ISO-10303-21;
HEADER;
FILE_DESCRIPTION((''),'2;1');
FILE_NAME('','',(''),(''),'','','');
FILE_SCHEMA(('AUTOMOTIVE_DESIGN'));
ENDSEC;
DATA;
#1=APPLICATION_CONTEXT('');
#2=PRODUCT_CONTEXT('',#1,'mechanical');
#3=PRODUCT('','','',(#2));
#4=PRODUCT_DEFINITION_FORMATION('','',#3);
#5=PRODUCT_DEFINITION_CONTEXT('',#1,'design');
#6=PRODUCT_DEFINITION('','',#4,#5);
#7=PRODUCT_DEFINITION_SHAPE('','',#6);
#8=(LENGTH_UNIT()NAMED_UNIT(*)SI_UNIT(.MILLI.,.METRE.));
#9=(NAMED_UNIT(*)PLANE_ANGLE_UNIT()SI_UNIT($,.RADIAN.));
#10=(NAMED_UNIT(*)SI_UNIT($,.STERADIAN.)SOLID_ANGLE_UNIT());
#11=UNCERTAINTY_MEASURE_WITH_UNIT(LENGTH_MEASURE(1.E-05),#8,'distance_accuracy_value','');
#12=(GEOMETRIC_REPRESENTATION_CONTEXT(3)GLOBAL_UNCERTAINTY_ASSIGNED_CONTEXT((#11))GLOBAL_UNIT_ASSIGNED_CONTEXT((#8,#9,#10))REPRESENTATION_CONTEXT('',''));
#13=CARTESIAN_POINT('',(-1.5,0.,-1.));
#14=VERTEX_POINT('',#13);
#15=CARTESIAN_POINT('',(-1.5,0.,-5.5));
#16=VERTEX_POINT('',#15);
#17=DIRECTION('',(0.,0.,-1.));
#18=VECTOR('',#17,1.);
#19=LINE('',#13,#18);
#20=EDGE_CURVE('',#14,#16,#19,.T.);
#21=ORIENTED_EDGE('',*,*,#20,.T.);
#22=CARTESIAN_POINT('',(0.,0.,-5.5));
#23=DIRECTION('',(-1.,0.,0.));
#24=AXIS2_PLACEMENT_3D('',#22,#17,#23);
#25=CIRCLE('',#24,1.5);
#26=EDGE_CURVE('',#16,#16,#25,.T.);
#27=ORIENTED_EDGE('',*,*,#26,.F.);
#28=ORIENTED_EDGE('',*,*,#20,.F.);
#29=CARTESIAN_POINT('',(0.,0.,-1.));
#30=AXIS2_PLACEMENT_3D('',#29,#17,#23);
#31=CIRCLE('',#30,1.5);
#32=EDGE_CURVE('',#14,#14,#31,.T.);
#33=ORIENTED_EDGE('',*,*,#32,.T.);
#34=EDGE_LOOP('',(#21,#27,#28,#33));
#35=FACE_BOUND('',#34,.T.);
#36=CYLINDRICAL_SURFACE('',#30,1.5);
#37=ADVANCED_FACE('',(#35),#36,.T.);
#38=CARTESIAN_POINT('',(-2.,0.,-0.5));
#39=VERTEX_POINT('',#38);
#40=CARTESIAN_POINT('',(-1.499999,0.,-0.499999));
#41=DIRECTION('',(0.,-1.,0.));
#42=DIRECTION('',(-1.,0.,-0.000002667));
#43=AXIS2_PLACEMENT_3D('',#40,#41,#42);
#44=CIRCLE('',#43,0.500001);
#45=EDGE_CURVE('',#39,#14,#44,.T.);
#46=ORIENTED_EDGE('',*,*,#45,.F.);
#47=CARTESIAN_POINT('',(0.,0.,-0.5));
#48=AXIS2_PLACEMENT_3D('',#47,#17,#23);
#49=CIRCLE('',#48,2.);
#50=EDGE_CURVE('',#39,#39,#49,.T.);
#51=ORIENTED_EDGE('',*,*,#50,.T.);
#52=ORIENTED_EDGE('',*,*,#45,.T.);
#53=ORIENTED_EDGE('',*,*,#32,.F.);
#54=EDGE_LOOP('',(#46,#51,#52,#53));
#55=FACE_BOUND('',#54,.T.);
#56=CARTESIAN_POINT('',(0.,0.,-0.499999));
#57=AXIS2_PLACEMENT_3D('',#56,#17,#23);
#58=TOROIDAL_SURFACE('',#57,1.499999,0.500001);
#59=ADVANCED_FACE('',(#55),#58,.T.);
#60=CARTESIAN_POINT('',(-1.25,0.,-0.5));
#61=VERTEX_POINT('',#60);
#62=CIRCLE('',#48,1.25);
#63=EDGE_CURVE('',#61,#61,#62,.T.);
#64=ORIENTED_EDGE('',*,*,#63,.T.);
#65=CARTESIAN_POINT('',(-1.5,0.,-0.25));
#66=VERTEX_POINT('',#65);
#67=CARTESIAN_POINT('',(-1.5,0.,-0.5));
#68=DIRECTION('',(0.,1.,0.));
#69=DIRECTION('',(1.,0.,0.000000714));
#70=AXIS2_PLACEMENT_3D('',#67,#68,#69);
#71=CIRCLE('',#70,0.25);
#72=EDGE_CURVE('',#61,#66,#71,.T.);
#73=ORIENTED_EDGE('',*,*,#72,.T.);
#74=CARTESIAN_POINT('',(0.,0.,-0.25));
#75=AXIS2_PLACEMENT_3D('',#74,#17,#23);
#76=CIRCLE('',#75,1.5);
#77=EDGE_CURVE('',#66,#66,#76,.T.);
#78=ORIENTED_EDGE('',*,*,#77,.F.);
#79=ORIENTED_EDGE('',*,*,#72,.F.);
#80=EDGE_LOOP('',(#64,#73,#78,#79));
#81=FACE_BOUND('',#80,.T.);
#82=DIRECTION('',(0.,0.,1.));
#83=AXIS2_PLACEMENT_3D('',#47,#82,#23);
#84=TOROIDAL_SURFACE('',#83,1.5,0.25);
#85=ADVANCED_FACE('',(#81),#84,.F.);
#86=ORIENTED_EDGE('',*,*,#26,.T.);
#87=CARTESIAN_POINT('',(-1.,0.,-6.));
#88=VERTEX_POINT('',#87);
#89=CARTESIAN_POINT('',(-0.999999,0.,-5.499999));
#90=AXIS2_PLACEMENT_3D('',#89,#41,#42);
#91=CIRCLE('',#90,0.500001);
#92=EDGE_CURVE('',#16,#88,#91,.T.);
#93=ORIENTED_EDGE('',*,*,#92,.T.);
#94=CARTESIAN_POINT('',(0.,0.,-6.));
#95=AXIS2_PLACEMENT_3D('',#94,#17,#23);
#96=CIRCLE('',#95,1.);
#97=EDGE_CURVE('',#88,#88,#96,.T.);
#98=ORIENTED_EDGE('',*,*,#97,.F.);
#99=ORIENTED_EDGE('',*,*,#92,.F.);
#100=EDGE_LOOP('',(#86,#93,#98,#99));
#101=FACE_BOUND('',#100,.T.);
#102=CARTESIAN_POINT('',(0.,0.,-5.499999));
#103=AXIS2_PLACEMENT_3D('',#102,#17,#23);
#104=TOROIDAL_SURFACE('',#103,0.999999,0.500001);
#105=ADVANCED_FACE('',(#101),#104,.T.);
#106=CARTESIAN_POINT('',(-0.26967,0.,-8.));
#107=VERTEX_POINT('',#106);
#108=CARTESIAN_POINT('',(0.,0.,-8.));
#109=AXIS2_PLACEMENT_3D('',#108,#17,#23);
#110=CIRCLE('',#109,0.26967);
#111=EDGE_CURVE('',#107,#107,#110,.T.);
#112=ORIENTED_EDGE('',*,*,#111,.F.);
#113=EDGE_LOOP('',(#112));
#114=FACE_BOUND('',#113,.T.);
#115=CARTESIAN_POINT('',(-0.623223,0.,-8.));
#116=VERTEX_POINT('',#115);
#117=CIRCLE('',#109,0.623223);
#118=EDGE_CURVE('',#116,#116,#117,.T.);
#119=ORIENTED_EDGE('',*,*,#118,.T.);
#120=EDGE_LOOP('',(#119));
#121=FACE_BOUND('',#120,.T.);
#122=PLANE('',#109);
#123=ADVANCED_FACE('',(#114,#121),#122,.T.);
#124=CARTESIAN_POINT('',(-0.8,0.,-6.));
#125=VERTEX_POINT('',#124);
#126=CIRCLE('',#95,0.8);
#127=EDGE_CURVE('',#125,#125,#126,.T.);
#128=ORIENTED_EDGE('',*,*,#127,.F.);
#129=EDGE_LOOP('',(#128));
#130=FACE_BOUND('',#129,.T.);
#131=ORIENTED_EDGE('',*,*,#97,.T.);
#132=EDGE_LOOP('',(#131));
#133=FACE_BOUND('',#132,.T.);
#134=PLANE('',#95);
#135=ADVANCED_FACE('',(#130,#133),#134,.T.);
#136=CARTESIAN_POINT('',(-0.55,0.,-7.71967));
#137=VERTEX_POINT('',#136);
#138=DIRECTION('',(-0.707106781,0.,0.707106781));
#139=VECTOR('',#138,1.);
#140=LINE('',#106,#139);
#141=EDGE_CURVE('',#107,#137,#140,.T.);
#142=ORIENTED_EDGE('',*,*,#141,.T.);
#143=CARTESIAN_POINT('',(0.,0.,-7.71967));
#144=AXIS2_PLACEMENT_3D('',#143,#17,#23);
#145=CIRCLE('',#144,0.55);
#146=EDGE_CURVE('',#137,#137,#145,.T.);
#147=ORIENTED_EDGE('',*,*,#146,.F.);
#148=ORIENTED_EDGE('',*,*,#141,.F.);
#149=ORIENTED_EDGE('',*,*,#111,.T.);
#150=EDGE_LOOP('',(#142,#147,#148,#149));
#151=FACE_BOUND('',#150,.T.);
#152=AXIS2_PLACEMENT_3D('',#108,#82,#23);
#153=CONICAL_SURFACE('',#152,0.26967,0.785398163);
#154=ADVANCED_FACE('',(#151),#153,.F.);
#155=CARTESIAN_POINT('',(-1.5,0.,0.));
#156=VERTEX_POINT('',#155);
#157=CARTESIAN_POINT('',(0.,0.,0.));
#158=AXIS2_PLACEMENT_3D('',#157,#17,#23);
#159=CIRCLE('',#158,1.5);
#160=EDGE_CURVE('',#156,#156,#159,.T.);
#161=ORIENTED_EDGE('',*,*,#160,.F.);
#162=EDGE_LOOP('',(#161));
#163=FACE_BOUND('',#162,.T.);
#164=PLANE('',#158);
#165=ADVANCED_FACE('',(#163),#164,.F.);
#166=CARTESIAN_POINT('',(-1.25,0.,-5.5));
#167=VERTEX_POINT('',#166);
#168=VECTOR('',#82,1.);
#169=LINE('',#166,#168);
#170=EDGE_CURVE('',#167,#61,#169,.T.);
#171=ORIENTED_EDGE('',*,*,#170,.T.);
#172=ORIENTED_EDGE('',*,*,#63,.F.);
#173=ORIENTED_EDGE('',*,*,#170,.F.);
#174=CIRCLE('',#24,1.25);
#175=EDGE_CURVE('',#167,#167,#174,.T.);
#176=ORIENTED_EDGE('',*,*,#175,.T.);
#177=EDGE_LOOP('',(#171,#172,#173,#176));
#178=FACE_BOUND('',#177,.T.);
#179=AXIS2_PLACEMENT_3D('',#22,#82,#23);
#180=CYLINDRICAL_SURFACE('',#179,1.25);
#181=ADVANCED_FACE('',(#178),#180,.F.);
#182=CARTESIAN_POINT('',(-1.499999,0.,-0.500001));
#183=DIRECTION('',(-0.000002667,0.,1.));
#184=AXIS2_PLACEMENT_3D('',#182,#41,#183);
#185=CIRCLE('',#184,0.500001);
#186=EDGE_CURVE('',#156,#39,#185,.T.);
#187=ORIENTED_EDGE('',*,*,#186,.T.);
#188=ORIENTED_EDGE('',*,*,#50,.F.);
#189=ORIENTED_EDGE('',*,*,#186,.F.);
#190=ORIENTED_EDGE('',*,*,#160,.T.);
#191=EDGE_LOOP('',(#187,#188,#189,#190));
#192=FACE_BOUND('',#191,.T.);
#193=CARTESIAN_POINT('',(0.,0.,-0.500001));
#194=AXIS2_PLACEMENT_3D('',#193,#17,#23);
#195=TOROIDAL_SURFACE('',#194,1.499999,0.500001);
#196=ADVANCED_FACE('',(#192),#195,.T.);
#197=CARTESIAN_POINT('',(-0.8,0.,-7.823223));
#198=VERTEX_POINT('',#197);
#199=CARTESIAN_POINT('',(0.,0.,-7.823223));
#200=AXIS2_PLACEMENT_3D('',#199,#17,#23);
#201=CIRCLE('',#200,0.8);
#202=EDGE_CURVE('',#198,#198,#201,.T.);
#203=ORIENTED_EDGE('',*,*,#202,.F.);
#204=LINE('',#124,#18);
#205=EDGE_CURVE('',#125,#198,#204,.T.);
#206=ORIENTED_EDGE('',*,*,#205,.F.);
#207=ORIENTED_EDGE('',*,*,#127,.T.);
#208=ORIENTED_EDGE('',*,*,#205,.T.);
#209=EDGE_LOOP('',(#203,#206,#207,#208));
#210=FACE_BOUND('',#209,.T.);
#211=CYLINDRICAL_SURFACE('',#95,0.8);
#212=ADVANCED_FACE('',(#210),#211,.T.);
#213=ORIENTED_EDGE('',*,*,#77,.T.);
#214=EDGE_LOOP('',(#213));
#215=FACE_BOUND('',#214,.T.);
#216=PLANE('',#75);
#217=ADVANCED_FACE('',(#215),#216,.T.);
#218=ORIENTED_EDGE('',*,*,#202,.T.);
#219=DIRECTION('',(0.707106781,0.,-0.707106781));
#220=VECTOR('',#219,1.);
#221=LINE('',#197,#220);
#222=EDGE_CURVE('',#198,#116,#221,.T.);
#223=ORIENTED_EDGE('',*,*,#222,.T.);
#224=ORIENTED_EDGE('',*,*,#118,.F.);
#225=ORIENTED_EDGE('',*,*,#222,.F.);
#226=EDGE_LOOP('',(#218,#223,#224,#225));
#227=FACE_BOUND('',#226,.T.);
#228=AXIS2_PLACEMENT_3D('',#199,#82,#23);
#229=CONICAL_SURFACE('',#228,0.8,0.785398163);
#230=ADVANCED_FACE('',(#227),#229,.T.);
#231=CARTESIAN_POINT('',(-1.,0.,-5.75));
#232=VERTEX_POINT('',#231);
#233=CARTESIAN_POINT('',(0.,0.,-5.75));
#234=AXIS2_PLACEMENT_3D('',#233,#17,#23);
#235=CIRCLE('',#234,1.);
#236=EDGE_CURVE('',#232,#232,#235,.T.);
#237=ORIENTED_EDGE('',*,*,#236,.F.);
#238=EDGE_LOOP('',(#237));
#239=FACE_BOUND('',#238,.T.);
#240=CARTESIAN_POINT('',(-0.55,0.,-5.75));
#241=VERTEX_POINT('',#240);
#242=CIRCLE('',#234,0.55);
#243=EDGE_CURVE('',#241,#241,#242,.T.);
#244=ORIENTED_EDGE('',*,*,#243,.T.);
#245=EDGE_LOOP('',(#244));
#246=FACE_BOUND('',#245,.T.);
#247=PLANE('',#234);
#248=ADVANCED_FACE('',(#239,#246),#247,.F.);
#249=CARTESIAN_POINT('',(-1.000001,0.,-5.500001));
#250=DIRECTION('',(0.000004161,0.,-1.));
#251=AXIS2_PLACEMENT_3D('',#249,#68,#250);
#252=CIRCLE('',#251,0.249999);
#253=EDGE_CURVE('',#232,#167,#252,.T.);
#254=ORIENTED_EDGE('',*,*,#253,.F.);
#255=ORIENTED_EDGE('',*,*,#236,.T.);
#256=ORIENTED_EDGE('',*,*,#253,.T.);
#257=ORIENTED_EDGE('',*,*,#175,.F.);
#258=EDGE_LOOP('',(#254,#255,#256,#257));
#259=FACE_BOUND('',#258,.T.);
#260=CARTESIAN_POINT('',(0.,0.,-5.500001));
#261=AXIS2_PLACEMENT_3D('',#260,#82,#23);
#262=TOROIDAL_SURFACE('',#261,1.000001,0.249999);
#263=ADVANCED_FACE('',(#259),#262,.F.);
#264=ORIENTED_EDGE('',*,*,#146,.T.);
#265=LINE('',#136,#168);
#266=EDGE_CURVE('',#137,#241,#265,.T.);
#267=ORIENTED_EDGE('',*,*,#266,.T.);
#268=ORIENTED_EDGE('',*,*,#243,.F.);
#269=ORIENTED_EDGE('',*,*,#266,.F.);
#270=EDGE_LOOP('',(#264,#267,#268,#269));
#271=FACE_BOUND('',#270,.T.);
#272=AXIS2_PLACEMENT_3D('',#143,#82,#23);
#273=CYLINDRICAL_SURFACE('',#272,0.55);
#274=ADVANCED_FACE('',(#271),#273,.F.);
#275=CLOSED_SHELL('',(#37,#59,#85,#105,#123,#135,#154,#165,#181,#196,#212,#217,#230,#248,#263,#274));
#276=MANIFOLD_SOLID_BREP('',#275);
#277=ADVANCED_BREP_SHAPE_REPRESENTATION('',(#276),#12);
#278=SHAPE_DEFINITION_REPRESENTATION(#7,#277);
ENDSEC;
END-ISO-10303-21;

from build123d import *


with BuildPart() as f1:
    # F0 (on Front) → F1 (revolve)
    with BuildSketch(Plane.XZ):
        with BuildLine():
            Line((0, -0.25), (0, 0))
            Line((0, 0), (-1.5, 0))
            ThreePointArc((-1.5, 0), (-1.853553, -0.146447), (-2, -0.5))
            ThreePointArc((-2, -0.5), (-1.853553, -0.853553), (-1.5, -1))
            Line((-1.5, -1), (-1.5, -5.5))
            ThreePointArc((-1.5, -5.5), (-1.353553, -5.853553), (-1, -6))
            Line((-1, -6), (-0.8, -6))
            Line((-0.8, -6), (-0.8, -7.823223))
            Line((-0.8, -7.823223), (-0.623223, -8))
            Line((-0.623223, -8), (-0.6, -8))
            Line((-0.6, -8), (-0.26967, -8))
            Line((-0.26967, -8), (-0.55, -7.71967))
            Line((-0.55, -7.71967), (-0.55, -5.75))
            Line((-0.55, -5.75), (-1, -5.75))
            ThreePointArc((-1, -5.75), (-1.176777, -5.676777), (-1.25, -5.5))
            Line((-1.25, -5.5), (-1.25, -0.5))
            ThreePointArc((-1.25, -0.5), (-1.676777, -0.676777), (-1.5, -0.25))
            Line((-1.5, -0.25), (0, -0.25))
        make_face()
    revolve(axis=Axis((0, 0, -4), (0, 0, -1)))


solid = f1.part
